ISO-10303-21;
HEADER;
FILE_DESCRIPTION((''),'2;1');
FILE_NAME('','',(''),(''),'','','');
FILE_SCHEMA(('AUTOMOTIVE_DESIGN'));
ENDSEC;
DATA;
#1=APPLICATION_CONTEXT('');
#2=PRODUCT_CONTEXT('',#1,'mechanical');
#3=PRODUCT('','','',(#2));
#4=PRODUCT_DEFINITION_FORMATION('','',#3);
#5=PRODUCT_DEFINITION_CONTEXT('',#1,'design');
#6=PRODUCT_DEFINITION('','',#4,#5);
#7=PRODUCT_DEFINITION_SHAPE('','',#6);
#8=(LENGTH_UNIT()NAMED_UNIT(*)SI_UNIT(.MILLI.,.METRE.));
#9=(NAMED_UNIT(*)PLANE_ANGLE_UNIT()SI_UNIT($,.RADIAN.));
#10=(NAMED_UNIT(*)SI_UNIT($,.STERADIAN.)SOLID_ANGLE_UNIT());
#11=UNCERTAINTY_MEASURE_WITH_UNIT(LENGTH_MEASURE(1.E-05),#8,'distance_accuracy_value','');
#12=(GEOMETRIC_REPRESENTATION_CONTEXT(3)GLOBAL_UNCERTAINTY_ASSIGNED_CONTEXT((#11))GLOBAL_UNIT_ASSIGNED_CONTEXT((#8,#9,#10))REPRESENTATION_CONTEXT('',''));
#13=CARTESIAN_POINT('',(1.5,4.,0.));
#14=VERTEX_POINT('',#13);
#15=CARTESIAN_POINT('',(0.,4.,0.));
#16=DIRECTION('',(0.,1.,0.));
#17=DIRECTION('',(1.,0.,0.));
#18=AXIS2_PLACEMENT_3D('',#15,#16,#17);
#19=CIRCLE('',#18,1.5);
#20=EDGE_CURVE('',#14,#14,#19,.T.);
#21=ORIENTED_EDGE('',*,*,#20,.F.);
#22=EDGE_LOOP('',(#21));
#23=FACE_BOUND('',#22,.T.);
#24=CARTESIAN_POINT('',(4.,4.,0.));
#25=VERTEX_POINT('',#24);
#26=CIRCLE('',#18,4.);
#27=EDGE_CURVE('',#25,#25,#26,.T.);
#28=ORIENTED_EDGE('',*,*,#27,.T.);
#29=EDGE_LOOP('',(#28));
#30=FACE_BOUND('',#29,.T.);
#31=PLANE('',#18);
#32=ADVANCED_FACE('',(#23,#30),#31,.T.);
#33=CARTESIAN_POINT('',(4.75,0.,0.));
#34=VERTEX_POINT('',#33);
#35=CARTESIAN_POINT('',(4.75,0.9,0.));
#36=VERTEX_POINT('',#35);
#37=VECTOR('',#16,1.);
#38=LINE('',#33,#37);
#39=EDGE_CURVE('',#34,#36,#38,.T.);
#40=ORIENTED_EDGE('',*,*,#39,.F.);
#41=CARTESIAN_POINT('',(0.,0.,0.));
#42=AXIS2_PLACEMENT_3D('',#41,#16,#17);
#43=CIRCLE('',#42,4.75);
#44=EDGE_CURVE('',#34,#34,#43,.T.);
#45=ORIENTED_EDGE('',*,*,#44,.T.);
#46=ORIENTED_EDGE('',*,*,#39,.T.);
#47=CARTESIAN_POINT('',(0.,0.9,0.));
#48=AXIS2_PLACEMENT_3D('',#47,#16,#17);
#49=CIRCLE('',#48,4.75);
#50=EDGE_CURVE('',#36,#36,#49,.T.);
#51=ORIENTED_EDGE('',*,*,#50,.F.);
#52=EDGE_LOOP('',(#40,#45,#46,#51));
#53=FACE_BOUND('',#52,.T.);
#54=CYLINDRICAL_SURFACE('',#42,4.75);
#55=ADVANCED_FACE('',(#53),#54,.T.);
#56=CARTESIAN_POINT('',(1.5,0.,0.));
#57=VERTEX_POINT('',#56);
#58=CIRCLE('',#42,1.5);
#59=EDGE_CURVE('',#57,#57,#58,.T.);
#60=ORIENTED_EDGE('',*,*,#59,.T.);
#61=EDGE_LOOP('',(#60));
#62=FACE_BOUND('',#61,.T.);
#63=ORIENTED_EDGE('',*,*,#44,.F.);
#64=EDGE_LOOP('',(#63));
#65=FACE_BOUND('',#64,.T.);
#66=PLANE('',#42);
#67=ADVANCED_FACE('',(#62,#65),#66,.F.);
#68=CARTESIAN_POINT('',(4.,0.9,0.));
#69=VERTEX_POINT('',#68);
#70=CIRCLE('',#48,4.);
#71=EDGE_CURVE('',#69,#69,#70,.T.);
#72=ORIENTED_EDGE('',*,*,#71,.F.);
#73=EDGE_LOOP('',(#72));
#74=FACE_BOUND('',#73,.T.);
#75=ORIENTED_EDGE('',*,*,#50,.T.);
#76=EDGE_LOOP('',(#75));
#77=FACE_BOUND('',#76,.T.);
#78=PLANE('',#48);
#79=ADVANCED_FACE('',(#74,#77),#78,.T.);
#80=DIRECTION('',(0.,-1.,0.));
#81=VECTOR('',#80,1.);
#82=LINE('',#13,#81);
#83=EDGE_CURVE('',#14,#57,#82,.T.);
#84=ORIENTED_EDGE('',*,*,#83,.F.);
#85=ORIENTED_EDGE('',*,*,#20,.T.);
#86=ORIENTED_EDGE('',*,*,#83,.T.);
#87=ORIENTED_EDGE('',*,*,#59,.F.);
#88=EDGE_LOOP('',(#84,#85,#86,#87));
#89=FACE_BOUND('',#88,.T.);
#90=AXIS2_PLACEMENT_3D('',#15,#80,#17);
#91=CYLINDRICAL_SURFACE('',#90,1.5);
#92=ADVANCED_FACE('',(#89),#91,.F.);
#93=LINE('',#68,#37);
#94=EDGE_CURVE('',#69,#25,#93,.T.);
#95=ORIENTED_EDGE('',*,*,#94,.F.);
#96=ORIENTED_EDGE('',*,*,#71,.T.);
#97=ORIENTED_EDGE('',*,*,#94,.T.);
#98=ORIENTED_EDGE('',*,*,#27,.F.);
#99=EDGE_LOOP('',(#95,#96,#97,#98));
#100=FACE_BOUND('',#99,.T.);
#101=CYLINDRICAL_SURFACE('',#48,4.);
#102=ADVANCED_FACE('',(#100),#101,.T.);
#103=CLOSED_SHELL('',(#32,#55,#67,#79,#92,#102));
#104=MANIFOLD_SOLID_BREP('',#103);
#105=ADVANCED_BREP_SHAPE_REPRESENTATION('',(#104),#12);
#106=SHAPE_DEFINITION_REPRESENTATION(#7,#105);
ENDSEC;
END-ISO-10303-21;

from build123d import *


with BuildPart() as part:
    # Sketch → Revolution (revolve)
    with BuildSketch(Plane.XY):
        Polygon((1.5, 0), (4.75, 0), (4.75, 0.9), (4, 0.9), (4, 4), (1.5, 4), align=None)
    revolve(axis=Axis((0, 0, 0), (0, 1, 0)))


solid = part.part
